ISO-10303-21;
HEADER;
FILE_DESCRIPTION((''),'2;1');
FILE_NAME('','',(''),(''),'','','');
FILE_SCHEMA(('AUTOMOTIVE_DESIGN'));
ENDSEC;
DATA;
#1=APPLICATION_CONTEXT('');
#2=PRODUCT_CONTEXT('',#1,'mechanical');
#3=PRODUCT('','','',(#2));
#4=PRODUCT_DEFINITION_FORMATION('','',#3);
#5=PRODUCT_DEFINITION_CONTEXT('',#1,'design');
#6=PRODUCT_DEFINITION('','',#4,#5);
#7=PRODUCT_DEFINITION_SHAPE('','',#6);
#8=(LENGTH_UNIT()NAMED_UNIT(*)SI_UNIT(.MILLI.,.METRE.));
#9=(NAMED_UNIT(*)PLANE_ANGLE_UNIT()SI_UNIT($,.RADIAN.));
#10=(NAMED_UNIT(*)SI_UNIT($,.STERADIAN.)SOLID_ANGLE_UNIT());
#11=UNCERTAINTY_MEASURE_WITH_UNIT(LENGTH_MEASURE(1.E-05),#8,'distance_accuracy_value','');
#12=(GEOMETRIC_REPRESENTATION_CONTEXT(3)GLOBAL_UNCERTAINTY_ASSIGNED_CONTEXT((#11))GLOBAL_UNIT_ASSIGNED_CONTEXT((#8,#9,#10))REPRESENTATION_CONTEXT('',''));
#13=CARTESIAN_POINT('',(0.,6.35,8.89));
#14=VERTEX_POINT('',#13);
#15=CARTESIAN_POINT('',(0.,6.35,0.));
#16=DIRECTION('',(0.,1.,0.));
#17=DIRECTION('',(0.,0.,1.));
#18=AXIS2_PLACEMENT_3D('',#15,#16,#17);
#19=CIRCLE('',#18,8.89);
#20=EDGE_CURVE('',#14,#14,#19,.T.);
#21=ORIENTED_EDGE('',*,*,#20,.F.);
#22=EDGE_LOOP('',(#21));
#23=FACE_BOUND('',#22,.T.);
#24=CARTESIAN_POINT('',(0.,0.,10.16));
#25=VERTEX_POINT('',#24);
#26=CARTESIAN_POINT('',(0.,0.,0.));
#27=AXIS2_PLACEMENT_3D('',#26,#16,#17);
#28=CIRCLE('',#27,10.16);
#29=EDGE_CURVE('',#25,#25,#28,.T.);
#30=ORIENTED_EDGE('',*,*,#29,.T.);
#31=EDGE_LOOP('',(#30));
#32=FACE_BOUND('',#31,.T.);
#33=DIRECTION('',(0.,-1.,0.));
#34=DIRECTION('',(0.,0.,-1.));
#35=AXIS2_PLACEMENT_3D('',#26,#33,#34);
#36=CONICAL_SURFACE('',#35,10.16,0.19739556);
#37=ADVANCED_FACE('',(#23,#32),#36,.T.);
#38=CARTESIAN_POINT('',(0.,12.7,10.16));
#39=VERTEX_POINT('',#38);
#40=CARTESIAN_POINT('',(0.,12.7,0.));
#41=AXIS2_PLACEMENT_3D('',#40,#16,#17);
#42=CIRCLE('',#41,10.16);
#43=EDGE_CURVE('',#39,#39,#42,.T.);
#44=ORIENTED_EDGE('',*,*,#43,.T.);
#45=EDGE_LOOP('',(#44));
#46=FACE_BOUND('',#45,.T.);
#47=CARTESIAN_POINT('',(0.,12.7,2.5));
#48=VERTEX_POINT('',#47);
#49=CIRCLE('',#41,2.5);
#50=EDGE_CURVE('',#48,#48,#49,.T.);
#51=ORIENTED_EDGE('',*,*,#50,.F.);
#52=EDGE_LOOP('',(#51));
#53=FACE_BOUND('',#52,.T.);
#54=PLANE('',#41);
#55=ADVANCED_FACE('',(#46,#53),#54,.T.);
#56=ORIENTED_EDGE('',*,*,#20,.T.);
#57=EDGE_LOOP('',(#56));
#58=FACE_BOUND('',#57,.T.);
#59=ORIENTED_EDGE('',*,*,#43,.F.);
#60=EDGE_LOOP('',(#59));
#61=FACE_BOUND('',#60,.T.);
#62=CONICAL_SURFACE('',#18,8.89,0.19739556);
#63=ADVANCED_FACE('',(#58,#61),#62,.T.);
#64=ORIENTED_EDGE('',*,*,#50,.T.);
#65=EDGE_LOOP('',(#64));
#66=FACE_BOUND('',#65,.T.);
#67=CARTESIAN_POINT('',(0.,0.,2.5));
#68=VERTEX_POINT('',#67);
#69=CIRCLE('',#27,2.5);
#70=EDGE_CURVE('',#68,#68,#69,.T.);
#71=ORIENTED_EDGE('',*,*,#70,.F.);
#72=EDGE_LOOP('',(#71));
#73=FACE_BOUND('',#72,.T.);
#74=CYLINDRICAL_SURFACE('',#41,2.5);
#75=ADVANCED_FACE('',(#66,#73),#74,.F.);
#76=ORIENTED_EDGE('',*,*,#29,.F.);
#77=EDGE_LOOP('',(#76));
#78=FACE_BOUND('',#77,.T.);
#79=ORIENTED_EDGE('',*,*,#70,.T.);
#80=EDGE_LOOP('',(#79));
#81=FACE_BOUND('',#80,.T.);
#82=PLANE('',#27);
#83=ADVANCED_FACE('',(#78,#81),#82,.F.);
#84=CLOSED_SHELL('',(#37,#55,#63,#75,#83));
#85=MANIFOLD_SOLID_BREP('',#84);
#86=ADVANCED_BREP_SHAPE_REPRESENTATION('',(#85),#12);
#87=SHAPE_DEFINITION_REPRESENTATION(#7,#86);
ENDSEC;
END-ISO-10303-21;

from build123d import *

# Parameters (mm, degrees)
SKETCH1_W = 1.31
SKETCH1_H = 12.7


with BuildPart() as part:
    # Sketch1 → Revolve1 (revolve)
    with BuildSketch(Plane(origin=(0, 0, 0), x_dir=(0, 0, -1), z_dir=(1, 0, 0))):
        Polygon((-10.16, 0), (-3.81, 0), (-3.81, 12.7), (-10.16, 12.7), (-8.89, 6.35), align=None)
        Polygon((-10.16, 0), (-3.81, 0), (-3.81, 12.7), (-10.16, 12.7), (-8.89, 6.35), align=None)
        Polygon((-10.16, 0), (-3.81, 0), (-3.81, 12.7), (-10.16, 12.7), (-8.89, 6.35), align=None)
        with Locations((-3.155, 6.35)):
            Rectangle(SKETCH1_W, SKETCH1_H)
    revolve(axis=Axis((0, 12.7, 0), (0, -1, 0)))


solid = part.part
